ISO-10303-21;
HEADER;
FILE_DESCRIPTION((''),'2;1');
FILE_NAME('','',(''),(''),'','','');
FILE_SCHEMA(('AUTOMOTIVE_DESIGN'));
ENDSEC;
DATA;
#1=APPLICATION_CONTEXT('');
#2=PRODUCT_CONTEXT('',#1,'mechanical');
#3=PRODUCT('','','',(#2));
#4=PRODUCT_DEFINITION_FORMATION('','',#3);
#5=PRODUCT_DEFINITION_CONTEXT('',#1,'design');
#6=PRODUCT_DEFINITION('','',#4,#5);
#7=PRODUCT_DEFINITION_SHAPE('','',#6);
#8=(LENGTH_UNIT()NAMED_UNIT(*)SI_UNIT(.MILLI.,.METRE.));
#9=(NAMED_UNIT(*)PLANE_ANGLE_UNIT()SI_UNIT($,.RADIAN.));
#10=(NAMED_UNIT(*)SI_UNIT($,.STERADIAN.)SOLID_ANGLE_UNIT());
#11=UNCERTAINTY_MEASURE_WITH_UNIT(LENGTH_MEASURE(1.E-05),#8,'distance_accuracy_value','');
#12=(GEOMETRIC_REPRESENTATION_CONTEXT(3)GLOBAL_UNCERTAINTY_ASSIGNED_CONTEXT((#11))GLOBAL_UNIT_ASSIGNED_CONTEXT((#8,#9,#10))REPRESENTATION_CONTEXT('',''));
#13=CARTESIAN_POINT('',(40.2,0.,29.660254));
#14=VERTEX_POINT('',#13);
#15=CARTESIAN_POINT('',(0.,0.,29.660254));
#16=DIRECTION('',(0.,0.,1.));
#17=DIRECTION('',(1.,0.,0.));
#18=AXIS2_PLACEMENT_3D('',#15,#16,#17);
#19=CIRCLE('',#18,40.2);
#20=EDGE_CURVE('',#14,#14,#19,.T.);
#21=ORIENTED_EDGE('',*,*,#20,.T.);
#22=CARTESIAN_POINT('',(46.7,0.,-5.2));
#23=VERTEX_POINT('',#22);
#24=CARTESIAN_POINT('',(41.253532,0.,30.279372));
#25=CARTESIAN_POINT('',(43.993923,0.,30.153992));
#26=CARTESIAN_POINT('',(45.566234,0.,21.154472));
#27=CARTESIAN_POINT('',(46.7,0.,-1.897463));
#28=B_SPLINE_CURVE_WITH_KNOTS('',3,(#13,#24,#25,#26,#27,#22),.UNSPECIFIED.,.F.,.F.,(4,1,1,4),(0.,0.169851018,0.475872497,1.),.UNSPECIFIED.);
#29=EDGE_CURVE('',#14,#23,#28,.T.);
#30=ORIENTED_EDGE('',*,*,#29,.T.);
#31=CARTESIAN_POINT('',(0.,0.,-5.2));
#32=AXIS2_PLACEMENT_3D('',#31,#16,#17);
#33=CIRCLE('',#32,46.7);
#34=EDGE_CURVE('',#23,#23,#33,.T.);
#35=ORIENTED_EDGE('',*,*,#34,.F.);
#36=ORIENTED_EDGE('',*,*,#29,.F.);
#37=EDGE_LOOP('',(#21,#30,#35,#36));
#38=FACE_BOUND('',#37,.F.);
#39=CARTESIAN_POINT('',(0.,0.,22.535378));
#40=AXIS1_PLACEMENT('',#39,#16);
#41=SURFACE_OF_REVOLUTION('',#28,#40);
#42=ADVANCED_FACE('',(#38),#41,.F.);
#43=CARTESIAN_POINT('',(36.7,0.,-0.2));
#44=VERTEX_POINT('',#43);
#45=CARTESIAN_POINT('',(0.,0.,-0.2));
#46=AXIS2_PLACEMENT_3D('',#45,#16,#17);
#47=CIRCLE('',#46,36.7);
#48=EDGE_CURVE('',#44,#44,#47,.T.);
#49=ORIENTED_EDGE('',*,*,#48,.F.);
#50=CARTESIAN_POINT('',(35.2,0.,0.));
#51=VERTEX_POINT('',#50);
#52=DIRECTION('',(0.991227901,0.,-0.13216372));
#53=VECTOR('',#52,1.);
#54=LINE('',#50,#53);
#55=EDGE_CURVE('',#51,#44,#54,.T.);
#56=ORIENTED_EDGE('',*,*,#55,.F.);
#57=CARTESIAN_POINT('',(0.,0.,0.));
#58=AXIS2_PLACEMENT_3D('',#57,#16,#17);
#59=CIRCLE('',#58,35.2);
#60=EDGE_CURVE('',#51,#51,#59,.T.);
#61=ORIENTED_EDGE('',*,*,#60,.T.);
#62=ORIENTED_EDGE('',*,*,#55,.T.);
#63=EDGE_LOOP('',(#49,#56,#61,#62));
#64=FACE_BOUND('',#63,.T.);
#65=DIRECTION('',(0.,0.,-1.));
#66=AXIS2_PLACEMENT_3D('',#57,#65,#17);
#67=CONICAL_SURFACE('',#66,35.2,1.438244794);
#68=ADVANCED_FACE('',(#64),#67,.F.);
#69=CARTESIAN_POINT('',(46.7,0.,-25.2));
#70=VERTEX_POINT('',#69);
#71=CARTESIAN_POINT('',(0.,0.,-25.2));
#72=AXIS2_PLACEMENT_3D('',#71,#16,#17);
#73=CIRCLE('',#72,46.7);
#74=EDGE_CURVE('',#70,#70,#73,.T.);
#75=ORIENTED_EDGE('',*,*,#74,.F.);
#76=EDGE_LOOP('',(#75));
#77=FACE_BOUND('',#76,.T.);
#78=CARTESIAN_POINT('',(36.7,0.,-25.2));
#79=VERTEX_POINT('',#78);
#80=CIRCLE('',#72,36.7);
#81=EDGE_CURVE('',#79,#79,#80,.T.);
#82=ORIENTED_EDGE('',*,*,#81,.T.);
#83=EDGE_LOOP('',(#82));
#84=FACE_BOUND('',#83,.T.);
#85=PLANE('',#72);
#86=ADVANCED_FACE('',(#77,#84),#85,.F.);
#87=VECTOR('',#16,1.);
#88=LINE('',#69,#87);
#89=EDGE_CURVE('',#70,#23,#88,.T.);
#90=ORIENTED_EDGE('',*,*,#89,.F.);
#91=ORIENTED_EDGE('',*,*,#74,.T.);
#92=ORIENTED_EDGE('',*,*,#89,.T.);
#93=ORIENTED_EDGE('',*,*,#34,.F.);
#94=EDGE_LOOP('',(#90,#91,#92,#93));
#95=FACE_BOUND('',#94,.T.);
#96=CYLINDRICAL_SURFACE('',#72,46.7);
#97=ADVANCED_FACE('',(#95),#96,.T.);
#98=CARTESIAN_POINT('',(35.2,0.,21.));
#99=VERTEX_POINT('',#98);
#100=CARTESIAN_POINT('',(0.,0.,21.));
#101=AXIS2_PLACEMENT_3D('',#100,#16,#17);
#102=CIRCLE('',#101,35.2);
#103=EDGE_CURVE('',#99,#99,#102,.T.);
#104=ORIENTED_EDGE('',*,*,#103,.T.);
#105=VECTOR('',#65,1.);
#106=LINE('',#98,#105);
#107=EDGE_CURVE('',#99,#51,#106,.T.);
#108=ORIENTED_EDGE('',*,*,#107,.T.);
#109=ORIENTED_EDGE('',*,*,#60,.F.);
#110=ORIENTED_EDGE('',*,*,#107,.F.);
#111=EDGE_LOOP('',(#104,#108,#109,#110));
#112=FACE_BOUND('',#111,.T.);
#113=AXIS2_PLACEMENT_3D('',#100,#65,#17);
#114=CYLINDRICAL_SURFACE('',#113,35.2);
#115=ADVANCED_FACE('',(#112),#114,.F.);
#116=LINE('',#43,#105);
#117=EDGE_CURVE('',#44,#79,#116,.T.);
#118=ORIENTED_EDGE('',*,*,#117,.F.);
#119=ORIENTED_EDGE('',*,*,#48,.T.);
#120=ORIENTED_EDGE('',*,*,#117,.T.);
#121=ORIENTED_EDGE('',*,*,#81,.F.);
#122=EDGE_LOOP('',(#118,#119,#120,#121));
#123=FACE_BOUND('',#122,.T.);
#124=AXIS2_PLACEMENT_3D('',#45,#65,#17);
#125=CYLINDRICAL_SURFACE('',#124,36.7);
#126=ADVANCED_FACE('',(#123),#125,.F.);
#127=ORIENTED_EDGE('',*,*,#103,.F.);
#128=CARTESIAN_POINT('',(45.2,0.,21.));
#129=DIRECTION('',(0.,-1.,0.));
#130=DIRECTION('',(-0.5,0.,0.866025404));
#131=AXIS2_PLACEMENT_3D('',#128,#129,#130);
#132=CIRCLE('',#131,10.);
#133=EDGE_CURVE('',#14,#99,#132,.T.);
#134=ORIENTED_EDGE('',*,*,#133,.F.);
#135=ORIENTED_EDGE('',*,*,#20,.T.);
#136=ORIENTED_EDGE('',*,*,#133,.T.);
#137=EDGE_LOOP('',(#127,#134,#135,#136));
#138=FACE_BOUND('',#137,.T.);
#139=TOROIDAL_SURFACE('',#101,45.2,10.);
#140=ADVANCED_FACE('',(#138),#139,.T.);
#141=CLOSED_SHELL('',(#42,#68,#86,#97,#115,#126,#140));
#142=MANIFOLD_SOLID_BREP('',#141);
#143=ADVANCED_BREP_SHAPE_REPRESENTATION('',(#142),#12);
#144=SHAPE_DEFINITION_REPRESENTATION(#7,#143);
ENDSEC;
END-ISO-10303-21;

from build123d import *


with BuildPart() as f1:
    # F0 (on Front) → F1 (revolve)
    with BuildSketch(Plane.XZ):
        with BuildLine():
            Line((35.2, 21), (35.2, 0))
            Line((35.2, 0), (36.7, -0.2))
            Line((36.7, -0.2), (36.7, -25.2))
            Line((36.7, -25.2), (46.7, -25.2))
            Line((46.7, -25.2), (46.7, -5.2))
            add(Edge.make_bspline(
                [(40.2, 29.6602540378), (41.2535322891, 30.2793717629), (43.9939234613, 30.1539923233), (45.5662337366, 21.1544722527), (46.7, -1.8974630171), (46.7, -5.2)],
                knots=[0, 0, 0, 0, 0.1698510181, 0.4758724969, 1, 1, 1, 1], degree=3))
            ThreePointArc((40.2, 29.6602540378), (36.5397459622, 26), (35.2, 21))
        make_face()
    revolve(axis=Axis((0, 0, 22.5353781134), (0, 0, 1)))


solid = f1.part
